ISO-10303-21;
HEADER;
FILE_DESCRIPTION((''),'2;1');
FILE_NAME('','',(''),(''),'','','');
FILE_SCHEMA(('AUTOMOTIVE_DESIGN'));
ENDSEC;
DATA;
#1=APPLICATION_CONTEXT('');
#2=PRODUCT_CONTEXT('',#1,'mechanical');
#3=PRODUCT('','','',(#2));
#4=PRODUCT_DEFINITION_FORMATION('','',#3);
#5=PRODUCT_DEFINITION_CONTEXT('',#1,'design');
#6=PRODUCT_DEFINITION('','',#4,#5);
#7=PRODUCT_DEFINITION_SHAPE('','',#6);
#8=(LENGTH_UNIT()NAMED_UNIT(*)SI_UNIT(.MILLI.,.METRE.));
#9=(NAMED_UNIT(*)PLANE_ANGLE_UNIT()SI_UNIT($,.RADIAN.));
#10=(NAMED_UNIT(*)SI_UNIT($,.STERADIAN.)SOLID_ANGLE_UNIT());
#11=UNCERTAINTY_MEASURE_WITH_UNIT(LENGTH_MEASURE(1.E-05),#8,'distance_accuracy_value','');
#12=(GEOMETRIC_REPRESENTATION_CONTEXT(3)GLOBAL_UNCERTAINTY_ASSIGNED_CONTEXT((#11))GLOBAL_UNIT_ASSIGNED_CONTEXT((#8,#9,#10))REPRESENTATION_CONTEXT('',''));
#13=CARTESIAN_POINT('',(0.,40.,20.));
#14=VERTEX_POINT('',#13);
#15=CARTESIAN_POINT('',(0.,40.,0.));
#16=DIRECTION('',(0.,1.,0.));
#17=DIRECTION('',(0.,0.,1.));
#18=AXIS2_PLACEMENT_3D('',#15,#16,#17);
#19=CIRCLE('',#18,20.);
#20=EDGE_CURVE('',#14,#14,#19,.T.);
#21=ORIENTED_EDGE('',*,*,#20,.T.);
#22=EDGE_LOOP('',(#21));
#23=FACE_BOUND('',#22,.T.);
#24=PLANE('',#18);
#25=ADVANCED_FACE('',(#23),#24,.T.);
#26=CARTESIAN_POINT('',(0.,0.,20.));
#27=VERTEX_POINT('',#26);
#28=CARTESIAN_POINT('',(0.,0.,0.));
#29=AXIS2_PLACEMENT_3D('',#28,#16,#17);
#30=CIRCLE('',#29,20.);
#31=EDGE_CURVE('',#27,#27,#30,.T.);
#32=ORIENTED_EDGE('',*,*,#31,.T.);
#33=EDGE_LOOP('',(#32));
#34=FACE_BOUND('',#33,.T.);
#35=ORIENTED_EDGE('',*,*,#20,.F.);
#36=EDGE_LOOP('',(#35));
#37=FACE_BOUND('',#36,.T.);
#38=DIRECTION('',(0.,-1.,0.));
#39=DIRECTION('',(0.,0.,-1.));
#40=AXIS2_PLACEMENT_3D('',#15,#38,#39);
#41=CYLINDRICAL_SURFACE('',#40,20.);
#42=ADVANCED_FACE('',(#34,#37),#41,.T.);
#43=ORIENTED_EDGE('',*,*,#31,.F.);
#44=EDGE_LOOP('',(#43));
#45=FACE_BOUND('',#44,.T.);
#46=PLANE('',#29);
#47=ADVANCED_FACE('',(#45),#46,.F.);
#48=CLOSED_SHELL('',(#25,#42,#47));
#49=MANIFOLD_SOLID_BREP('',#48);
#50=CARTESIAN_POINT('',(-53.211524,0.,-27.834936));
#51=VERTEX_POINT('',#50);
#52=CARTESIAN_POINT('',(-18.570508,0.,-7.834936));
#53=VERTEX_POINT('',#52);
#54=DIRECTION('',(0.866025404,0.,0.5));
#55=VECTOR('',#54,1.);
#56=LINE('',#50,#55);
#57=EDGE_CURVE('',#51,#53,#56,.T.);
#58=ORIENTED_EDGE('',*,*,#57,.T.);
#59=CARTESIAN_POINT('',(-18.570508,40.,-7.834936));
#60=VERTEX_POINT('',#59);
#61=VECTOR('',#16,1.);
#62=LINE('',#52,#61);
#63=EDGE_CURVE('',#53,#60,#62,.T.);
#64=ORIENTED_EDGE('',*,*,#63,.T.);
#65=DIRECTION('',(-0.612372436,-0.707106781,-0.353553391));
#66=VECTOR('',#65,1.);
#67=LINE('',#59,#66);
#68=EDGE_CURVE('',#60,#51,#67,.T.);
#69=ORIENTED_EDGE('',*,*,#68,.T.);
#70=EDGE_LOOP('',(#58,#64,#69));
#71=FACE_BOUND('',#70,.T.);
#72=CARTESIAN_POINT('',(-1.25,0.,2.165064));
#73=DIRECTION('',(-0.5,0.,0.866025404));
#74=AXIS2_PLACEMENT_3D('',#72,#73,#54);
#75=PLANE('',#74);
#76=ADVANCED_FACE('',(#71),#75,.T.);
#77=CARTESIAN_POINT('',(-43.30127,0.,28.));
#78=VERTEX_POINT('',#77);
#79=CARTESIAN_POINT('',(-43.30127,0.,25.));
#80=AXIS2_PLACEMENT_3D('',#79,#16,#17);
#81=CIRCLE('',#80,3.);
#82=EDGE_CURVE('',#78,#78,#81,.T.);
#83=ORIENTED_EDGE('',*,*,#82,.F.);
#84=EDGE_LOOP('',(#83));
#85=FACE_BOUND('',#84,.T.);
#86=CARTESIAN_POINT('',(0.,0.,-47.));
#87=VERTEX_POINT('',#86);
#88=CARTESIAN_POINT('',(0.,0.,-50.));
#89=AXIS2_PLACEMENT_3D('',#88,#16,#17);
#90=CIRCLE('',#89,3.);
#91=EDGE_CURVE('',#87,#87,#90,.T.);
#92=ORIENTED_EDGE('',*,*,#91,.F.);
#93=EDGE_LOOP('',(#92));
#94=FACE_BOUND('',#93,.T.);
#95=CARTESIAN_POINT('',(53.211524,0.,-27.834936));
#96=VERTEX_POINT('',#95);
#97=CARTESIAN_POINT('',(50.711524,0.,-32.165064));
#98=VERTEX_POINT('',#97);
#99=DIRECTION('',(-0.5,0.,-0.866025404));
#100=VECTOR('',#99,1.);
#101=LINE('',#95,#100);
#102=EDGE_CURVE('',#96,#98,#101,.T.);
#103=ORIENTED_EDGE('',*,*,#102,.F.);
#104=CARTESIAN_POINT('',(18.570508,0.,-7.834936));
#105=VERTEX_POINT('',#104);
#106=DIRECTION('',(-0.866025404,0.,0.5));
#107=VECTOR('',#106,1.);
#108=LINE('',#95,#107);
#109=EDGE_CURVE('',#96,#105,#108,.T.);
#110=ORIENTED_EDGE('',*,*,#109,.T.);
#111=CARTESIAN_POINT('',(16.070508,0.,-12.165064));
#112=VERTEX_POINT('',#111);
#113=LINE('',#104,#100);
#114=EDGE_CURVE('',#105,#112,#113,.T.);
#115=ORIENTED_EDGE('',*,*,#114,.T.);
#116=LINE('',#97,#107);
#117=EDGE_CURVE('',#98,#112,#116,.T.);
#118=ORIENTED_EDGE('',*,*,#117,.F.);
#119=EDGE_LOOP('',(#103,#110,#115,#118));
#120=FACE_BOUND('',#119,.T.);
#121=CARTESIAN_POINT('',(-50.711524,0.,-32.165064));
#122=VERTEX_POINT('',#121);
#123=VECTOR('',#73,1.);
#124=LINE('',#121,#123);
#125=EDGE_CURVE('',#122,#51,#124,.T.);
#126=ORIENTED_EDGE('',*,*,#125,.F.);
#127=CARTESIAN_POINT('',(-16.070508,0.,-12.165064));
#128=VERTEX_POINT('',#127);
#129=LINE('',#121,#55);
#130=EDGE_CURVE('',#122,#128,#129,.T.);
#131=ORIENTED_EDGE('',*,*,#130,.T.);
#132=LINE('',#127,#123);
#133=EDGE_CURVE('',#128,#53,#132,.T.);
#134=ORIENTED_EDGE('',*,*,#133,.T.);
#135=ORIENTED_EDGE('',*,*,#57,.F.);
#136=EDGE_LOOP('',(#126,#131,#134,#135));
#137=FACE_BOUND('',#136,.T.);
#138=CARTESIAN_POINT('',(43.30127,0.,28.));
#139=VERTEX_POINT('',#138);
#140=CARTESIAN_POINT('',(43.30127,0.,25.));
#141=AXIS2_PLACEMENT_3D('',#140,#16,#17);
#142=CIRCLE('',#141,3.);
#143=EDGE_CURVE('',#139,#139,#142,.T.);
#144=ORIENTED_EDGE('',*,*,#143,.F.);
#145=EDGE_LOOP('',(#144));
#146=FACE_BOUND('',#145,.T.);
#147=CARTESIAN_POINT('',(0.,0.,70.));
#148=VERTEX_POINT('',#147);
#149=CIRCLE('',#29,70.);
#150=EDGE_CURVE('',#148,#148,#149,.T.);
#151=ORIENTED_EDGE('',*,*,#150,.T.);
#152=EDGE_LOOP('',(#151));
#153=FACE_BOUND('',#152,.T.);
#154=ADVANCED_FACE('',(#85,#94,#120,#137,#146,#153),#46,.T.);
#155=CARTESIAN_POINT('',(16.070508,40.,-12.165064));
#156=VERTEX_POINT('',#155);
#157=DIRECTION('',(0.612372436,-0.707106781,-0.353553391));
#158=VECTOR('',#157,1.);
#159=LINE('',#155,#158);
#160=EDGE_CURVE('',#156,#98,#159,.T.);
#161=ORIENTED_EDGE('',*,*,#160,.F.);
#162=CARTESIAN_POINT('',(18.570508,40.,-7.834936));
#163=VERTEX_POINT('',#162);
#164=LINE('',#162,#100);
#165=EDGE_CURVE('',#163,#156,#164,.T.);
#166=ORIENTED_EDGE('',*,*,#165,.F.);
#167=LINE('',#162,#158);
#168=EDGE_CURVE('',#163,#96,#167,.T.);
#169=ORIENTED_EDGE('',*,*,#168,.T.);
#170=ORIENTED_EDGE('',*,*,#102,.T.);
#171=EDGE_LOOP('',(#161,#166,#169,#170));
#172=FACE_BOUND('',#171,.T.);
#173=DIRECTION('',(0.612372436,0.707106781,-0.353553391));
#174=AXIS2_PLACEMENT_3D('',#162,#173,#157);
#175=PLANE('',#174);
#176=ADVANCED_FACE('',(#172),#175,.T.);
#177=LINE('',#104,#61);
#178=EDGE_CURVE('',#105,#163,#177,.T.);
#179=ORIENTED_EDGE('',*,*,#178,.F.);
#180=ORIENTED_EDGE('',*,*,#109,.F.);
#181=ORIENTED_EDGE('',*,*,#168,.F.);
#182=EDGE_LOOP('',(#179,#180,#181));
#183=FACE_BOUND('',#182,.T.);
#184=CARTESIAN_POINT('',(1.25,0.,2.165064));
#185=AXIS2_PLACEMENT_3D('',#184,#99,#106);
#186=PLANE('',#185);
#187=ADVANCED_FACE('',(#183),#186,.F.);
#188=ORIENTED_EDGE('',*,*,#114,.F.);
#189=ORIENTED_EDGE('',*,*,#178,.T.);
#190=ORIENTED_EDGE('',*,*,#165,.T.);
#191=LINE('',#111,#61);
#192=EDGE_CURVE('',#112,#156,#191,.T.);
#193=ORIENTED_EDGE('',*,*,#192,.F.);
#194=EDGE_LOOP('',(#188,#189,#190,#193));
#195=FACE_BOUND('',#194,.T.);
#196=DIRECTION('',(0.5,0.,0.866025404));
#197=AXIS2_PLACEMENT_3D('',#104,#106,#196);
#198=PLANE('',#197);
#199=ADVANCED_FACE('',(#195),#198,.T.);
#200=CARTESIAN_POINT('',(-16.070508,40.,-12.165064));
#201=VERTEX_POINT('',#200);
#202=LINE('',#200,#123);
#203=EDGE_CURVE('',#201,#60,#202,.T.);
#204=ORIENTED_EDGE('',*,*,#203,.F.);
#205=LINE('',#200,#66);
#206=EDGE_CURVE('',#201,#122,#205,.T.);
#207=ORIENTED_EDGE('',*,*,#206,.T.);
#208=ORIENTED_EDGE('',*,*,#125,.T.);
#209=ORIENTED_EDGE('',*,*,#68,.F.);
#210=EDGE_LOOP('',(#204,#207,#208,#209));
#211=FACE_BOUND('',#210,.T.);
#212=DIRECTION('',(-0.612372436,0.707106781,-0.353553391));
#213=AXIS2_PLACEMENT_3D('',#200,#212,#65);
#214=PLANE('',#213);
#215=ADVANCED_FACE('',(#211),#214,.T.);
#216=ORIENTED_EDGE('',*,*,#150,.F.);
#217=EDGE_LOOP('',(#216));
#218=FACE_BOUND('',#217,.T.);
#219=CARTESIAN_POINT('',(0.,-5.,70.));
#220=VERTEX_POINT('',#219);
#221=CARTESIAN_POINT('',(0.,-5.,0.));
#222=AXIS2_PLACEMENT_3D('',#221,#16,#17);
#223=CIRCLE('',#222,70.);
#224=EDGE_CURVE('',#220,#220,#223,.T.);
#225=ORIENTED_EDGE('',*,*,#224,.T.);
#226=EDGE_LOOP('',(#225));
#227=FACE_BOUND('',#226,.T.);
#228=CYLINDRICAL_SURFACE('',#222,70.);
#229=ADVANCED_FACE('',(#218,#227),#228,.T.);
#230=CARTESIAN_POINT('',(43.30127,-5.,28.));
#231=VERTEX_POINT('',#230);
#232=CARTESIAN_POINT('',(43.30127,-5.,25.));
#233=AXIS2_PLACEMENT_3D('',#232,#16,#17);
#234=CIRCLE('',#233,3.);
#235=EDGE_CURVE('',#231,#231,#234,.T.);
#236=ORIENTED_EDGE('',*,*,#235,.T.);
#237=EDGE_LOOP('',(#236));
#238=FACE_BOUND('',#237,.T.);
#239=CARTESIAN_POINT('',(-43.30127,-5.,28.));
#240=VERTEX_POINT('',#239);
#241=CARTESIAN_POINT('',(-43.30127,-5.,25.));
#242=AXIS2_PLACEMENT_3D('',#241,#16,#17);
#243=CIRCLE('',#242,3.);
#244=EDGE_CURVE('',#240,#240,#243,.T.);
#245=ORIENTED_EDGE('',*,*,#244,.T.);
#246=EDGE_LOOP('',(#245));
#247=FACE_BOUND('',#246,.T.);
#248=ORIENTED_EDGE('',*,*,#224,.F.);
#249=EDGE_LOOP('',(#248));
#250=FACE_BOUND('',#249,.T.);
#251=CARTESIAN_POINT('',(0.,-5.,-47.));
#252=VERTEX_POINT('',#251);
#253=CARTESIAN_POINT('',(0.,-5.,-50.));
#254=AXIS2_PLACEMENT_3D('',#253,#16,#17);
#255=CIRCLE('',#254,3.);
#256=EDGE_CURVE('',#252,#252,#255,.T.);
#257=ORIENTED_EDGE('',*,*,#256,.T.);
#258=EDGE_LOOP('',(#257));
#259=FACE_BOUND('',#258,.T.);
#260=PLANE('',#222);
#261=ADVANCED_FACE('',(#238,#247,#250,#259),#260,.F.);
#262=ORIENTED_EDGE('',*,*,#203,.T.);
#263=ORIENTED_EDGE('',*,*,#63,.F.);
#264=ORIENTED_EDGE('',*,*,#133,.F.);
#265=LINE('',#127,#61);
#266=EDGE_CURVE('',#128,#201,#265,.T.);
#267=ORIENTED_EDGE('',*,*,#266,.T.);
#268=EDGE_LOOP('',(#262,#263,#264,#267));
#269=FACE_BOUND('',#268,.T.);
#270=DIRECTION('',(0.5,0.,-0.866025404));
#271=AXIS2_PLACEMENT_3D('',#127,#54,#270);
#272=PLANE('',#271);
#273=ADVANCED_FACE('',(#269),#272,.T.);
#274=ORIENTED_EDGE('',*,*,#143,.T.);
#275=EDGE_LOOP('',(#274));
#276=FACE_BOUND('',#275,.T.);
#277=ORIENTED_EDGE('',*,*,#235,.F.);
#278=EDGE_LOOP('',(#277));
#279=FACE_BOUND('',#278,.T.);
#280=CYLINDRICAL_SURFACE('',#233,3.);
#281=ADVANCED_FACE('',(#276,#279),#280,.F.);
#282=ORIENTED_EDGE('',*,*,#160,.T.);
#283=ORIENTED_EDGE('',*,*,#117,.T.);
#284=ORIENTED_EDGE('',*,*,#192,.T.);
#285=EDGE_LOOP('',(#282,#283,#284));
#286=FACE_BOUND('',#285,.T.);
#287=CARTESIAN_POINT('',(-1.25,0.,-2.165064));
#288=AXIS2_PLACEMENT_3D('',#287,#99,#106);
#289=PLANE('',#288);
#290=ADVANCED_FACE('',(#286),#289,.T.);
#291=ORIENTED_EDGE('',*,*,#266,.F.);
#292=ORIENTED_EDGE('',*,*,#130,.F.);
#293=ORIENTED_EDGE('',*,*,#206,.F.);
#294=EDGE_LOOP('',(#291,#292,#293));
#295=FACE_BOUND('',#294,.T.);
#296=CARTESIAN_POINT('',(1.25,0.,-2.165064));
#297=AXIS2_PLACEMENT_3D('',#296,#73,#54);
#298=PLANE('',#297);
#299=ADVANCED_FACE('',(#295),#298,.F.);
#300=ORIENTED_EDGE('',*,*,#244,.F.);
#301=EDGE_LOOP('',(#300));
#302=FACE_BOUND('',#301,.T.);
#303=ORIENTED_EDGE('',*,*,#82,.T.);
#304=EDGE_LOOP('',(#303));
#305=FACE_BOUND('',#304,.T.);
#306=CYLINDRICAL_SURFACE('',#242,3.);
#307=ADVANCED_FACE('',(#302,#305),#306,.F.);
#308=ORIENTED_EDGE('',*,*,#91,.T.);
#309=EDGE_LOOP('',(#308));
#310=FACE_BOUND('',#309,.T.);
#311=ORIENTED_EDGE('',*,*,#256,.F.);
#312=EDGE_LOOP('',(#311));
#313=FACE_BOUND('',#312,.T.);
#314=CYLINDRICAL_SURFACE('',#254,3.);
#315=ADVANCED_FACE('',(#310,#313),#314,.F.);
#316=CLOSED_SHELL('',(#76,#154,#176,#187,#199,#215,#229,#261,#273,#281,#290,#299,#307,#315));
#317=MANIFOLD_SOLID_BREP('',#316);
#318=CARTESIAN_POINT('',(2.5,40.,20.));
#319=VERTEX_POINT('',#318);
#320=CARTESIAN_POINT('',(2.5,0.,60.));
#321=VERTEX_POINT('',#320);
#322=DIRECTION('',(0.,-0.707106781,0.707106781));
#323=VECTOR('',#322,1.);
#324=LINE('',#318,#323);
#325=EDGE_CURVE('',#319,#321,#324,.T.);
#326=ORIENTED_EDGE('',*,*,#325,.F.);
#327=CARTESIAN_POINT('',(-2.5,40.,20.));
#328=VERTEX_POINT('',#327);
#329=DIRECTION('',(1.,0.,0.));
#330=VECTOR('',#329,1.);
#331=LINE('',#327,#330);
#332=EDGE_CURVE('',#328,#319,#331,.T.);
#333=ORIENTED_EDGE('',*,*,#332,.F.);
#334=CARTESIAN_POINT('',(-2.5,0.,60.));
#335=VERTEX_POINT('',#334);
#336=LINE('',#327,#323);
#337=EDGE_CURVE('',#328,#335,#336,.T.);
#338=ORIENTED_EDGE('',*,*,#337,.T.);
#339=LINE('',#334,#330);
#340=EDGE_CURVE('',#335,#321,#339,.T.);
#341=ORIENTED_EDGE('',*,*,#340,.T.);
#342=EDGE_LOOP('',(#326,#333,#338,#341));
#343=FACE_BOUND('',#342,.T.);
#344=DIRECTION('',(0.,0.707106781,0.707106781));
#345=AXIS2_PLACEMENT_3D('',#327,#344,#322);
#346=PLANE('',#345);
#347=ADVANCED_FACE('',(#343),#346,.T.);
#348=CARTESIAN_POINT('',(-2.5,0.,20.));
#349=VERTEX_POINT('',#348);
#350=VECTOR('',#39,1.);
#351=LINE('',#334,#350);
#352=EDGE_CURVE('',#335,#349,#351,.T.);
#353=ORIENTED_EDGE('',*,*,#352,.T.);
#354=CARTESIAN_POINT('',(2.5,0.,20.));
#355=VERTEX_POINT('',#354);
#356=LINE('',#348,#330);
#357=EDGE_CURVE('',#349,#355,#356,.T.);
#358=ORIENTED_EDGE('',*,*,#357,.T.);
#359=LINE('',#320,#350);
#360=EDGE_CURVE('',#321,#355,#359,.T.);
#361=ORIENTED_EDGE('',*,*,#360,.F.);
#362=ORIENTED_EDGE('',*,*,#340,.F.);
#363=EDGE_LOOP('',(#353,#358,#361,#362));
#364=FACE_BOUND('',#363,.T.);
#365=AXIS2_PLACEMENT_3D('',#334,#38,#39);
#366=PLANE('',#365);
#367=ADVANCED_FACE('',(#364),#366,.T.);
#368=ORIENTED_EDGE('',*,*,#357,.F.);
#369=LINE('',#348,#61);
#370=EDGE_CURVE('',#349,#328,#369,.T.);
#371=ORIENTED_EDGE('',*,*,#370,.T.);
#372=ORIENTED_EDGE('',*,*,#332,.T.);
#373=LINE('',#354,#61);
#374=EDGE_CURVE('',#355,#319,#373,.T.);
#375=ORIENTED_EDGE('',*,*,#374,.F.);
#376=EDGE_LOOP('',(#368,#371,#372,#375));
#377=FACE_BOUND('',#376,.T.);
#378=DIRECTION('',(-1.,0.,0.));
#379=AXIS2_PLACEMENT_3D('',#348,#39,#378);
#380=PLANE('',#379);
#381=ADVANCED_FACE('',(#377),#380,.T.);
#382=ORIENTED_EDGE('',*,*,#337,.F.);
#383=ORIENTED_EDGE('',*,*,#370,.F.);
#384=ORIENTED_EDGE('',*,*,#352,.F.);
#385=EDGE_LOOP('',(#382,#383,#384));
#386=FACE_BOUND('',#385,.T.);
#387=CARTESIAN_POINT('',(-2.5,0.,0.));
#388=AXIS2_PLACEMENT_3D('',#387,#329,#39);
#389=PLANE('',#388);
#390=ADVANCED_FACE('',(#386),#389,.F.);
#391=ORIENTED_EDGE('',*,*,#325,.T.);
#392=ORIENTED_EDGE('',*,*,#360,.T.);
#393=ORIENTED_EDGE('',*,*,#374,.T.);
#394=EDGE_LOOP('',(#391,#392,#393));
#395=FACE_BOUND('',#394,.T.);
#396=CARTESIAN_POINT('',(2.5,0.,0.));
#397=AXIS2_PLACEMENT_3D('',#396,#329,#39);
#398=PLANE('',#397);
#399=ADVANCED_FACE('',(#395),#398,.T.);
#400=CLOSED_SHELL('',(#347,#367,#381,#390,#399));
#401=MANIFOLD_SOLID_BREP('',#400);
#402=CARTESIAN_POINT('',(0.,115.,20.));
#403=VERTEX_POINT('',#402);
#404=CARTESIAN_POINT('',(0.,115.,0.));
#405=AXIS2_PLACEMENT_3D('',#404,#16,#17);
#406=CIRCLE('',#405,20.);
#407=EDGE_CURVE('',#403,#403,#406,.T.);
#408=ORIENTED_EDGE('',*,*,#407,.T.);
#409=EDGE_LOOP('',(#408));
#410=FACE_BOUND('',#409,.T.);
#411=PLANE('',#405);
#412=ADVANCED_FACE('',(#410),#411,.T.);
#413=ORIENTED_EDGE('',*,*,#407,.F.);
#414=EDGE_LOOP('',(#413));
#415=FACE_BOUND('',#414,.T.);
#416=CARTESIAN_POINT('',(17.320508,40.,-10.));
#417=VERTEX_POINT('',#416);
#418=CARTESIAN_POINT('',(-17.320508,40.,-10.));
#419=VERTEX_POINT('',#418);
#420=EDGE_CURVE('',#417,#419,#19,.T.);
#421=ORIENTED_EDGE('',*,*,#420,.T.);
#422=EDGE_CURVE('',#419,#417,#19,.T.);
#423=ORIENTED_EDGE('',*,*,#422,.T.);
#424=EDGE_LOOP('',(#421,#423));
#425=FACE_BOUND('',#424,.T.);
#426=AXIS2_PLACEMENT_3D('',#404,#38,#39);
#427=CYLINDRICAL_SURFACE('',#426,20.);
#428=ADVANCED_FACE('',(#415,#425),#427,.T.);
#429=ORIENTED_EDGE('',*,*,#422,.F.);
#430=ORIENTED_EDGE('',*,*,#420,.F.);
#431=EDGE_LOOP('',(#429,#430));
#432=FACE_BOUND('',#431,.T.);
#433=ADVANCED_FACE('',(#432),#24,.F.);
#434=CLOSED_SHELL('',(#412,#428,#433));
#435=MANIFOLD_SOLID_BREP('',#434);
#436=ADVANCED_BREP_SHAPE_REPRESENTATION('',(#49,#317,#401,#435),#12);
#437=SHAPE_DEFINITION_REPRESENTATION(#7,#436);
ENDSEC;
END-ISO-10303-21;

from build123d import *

# Parameters (mm, degrees)
SKETCH1_R           = 70
BOSS_EXTRUDE1_DEPTH = 5
SKETCH2_R           = 20
BOSS_EXTRUDE2_DEPTH = 40
SKETCH3_R           = 20
BOSS_EXTRUDE3_DEPTH = 75
BOSS_EXTRUDE4_DEPTH = 2.5
CIRPATTERN1_COUNT   = 3
SKETCH5_R           = 3
CUT_EXTRUDE1_DEPTH  = 152.739909055


with BuildPart() as part:
    # Sketch1 → Boss-Extrude1 (new body)
    with BuildSketch(Plane(origin=(0, 0, 0), x_dir=(1, 0, 0), z_dir=(0, 1, 0))):
        Circle(SKETCH1_R)
    extrude(amount=-BOSS_EXTRUDE1_DEPTH)


with BuildPart() as body_2:
    # Sketch2 → Boss-Extrude2 (new body)
    with BuildSketch(Plane(origin=(0, 0, 0), x_dir=(1, 0, 0), z_dir=(0, 1, 0))):
        Circle(SKETCH2_R)
    extrude(amount=BOSS_EXTRUDE2_DEPTH)


with BuildPart() as body_3:
    # Sketch3 → Boss-Extrude3 (new body)
    with BuildSketch(Plane(origin=(0, 40, 0), x_dir=(1, 0, 0), z_dir=(0, 1, 0))):
        Circle(SKETCH3_R)
    extrude(amount=BOSS_EXTRUDE3_DEPTH)


with BuildPart() as body_4:
    # Sketch4 → Boss-Extrude4 (new, symmetric)
    with BuildSketch(Plane(origin=(0, 0, 0), x_dir=(0, 0, -1), z_dir=(1, 0, 0))):
        Polygon((-60, 0), (-20, 0), (-20, 40), align=None)
    boss_extrude4 = extrude(amount=BOSS_EXTRUDE4_DEPTH, both=True)


with BuildPart() as part_1:
    add(part.part)

    # CirPattern1: Boss-Extrude4 ×3 about axis
    cirpattern1_axis = Axis((0, 40, 0), (0, -1, 0))
    for i in range(1, CIRPATTERN1_COUNT):
        add(boss_extrude4.rotate(cirpattern1_axis, i * 360 / CIRPATTERN1_COUNT))

    # Sketch5 → Cut-Extrude1 (cut, through all)
    with BuildSketch(Plane(origin=(0, 0, 0), x_dir=(1, 0, 0), z_dir=(0, 1, 0))):
        with Locations((-43.301270189, -25)):
            Circle(SKETCH5_R)
        with Locations((0, 50)):
            Circle(SKETCH5_R)
        with Locations((43.301270189, -25)):
            Circle(SKETCH5_R)
    extrude(amount=-CUT_EXTRUDE1_DEPTH, mode=Mode.SUBTRACT)


solid = Compound([body_2.part, body_3.part, body_4.part, part_1.part])
